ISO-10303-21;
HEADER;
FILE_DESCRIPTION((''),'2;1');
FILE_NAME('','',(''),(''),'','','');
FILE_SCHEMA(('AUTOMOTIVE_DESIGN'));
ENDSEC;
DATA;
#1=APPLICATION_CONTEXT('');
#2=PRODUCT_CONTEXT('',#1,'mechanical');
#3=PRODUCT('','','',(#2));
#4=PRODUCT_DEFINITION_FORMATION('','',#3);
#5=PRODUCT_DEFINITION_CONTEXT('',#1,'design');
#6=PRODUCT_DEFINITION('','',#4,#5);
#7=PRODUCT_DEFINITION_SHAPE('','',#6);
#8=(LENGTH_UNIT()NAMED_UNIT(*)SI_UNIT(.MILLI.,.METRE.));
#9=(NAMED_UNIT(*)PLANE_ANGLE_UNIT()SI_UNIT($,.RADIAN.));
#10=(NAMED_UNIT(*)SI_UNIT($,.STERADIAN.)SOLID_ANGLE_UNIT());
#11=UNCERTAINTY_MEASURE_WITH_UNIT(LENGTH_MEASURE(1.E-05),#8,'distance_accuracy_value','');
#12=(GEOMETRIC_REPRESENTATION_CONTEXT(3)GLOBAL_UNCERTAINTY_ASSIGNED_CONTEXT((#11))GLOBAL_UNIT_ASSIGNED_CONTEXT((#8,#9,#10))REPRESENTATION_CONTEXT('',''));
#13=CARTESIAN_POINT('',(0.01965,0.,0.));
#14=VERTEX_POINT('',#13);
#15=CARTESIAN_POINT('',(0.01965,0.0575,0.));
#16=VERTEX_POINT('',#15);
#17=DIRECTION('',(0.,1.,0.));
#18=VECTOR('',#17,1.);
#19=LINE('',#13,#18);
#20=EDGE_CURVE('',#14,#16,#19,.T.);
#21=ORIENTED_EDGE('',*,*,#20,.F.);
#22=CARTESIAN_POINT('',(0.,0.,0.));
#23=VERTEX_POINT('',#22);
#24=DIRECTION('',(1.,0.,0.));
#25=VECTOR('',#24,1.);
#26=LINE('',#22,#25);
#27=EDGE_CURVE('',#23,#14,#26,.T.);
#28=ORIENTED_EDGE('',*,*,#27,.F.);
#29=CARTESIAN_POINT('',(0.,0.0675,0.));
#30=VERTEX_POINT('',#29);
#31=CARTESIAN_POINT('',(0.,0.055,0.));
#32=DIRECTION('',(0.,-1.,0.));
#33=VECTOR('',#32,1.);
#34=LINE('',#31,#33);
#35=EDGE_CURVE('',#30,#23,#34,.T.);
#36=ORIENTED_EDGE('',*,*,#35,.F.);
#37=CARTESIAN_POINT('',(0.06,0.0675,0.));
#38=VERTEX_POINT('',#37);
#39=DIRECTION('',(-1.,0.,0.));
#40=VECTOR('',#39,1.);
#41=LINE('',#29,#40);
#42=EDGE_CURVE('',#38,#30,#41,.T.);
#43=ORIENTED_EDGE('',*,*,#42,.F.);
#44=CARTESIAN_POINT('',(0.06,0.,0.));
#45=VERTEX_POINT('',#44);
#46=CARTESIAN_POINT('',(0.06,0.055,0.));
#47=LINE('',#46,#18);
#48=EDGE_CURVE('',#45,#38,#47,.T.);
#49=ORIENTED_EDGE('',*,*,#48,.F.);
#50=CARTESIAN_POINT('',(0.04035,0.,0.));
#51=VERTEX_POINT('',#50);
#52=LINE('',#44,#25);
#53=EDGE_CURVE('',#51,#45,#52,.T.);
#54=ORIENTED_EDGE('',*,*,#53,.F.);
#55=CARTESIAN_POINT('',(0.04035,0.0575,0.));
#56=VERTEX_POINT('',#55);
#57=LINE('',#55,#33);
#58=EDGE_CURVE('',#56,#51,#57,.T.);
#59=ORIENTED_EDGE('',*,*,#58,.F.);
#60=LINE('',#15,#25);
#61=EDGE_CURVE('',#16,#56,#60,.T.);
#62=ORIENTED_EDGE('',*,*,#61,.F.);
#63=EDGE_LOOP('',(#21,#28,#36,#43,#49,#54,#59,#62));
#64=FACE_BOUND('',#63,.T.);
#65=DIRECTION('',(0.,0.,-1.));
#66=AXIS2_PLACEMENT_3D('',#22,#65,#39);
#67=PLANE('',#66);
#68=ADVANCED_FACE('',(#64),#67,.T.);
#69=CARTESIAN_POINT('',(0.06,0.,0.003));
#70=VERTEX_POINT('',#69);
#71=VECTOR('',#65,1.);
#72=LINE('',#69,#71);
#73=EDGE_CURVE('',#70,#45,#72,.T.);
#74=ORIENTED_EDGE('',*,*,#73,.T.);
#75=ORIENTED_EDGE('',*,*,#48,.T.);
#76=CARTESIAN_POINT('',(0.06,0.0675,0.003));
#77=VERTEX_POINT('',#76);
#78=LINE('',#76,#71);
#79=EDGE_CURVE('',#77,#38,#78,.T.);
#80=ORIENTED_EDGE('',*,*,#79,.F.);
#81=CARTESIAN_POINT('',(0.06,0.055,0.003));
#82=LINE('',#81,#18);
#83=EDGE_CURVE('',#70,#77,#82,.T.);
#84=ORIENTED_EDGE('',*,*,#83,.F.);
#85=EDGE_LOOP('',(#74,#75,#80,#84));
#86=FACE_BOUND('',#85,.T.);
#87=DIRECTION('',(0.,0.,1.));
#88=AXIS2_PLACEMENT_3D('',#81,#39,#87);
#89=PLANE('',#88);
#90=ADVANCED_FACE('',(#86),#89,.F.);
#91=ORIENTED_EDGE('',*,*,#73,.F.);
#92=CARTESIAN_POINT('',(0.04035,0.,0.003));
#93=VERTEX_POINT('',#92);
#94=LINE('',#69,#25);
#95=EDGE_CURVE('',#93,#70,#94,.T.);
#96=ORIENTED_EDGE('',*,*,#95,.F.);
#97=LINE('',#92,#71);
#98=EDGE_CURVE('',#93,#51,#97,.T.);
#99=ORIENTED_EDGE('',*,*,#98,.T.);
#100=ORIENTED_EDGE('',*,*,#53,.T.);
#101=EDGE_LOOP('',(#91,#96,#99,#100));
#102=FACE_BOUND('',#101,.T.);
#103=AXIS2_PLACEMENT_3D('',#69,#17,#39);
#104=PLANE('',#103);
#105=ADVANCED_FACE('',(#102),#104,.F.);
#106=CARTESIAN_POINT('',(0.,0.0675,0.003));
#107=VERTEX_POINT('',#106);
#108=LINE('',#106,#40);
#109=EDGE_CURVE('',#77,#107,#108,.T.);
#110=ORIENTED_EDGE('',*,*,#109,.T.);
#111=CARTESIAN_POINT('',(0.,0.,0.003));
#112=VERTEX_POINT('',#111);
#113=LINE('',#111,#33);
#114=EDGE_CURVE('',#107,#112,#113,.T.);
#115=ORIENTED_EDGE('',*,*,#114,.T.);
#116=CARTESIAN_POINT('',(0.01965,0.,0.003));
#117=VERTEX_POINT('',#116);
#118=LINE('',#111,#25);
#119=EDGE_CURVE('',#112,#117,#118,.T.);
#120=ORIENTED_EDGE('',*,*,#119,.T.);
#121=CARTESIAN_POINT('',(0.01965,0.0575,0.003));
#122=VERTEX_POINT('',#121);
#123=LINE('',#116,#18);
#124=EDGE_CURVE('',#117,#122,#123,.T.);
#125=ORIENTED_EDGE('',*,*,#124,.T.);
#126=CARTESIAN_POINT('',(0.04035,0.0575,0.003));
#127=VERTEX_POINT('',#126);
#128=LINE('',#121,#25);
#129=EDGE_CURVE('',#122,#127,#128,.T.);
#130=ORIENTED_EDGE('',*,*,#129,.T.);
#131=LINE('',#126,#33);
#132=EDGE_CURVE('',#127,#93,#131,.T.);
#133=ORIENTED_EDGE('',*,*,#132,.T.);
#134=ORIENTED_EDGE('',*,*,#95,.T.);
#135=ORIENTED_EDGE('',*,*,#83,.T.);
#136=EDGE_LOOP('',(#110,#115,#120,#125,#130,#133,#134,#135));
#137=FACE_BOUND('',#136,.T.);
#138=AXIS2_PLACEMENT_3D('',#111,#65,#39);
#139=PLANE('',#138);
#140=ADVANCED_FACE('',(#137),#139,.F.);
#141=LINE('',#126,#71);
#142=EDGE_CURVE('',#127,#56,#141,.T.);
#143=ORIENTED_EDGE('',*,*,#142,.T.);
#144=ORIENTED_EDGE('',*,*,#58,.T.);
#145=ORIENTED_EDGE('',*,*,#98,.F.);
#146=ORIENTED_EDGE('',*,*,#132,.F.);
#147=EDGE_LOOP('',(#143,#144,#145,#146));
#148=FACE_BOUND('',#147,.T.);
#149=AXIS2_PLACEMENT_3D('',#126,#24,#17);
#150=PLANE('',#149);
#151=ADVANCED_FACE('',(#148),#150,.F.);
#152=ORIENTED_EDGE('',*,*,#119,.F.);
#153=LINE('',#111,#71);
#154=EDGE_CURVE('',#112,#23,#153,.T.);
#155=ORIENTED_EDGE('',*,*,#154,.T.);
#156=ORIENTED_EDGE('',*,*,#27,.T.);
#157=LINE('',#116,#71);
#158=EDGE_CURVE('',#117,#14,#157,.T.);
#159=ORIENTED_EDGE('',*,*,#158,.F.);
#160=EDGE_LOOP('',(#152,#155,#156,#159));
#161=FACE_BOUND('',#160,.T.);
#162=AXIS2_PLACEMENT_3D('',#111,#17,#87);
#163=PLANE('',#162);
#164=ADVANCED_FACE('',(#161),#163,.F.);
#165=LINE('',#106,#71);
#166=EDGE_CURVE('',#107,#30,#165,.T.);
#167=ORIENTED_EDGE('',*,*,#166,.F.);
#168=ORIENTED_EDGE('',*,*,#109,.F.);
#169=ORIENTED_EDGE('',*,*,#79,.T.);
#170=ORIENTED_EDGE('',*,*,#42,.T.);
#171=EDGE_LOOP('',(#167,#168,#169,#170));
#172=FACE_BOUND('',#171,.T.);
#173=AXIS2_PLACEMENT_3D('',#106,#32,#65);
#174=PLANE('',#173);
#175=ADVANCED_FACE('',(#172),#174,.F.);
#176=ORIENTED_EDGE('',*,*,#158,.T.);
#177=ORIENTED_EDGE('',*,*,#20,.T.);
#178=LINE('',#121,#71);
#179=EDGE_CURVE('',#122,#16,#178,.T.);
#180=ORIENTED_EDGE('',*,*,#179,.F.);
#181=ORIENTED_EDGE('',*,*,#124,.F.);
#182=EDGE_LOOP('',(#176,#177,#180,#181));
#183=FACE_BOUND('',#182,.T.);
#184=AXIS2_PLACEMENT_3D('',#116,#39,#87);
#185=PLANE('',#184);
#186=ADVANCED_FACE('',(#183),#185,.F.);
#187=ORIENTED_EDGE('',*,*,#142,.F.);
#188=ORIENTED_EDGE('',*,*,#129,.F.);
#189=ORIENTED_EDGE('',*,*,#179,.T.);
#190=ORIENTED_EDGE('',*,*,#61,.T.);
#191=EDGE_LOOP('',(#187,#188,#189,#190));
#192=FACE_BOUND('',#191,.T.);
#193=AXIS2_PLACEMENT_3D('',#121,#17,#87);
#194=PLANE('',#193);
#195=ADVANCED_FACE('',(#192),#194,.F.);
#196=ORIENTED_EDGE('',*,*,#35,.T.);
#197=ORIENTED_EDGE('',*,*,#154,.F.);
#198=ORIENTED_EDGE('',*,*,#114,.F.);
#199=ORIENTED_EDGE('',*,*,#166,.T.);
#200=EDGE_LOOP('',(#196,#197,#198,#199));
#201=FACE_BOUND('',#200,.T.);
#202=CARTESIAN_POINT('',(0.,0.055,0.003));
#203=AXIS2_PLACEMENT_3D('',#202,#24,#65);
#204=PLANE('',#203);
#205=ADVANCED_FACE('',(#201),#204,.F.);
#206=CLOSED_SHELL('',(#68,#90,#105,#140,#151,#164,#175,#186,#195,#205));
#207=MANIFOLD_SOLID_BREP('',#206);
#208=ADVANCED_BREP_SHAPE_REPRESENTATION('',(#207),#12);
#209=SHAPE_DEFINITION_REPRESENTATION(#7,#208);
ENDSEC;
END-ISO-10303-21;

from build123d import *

# Parameters (mm, degrees)
BOSS_EXTRUDE1_DEPTH = 0.003


with BuildPart() as part:
    # Sketch1 → Boss-Extrude1 (new body)
    with BuildSketch(Plane.XY):
        Polygon((0, 0), (0.01965, 0), (0.01965, 0.0575), (0.04035, 0.0575), (0.04035, 0), (0.06, 0), (0.06, 0.055), (0.06, 0.0675), (0, 0.0675), (0, 0.055), align=None)
    extrude(amount=BOSS_EXTRUDE1_DEPTH)


solid = part.part
